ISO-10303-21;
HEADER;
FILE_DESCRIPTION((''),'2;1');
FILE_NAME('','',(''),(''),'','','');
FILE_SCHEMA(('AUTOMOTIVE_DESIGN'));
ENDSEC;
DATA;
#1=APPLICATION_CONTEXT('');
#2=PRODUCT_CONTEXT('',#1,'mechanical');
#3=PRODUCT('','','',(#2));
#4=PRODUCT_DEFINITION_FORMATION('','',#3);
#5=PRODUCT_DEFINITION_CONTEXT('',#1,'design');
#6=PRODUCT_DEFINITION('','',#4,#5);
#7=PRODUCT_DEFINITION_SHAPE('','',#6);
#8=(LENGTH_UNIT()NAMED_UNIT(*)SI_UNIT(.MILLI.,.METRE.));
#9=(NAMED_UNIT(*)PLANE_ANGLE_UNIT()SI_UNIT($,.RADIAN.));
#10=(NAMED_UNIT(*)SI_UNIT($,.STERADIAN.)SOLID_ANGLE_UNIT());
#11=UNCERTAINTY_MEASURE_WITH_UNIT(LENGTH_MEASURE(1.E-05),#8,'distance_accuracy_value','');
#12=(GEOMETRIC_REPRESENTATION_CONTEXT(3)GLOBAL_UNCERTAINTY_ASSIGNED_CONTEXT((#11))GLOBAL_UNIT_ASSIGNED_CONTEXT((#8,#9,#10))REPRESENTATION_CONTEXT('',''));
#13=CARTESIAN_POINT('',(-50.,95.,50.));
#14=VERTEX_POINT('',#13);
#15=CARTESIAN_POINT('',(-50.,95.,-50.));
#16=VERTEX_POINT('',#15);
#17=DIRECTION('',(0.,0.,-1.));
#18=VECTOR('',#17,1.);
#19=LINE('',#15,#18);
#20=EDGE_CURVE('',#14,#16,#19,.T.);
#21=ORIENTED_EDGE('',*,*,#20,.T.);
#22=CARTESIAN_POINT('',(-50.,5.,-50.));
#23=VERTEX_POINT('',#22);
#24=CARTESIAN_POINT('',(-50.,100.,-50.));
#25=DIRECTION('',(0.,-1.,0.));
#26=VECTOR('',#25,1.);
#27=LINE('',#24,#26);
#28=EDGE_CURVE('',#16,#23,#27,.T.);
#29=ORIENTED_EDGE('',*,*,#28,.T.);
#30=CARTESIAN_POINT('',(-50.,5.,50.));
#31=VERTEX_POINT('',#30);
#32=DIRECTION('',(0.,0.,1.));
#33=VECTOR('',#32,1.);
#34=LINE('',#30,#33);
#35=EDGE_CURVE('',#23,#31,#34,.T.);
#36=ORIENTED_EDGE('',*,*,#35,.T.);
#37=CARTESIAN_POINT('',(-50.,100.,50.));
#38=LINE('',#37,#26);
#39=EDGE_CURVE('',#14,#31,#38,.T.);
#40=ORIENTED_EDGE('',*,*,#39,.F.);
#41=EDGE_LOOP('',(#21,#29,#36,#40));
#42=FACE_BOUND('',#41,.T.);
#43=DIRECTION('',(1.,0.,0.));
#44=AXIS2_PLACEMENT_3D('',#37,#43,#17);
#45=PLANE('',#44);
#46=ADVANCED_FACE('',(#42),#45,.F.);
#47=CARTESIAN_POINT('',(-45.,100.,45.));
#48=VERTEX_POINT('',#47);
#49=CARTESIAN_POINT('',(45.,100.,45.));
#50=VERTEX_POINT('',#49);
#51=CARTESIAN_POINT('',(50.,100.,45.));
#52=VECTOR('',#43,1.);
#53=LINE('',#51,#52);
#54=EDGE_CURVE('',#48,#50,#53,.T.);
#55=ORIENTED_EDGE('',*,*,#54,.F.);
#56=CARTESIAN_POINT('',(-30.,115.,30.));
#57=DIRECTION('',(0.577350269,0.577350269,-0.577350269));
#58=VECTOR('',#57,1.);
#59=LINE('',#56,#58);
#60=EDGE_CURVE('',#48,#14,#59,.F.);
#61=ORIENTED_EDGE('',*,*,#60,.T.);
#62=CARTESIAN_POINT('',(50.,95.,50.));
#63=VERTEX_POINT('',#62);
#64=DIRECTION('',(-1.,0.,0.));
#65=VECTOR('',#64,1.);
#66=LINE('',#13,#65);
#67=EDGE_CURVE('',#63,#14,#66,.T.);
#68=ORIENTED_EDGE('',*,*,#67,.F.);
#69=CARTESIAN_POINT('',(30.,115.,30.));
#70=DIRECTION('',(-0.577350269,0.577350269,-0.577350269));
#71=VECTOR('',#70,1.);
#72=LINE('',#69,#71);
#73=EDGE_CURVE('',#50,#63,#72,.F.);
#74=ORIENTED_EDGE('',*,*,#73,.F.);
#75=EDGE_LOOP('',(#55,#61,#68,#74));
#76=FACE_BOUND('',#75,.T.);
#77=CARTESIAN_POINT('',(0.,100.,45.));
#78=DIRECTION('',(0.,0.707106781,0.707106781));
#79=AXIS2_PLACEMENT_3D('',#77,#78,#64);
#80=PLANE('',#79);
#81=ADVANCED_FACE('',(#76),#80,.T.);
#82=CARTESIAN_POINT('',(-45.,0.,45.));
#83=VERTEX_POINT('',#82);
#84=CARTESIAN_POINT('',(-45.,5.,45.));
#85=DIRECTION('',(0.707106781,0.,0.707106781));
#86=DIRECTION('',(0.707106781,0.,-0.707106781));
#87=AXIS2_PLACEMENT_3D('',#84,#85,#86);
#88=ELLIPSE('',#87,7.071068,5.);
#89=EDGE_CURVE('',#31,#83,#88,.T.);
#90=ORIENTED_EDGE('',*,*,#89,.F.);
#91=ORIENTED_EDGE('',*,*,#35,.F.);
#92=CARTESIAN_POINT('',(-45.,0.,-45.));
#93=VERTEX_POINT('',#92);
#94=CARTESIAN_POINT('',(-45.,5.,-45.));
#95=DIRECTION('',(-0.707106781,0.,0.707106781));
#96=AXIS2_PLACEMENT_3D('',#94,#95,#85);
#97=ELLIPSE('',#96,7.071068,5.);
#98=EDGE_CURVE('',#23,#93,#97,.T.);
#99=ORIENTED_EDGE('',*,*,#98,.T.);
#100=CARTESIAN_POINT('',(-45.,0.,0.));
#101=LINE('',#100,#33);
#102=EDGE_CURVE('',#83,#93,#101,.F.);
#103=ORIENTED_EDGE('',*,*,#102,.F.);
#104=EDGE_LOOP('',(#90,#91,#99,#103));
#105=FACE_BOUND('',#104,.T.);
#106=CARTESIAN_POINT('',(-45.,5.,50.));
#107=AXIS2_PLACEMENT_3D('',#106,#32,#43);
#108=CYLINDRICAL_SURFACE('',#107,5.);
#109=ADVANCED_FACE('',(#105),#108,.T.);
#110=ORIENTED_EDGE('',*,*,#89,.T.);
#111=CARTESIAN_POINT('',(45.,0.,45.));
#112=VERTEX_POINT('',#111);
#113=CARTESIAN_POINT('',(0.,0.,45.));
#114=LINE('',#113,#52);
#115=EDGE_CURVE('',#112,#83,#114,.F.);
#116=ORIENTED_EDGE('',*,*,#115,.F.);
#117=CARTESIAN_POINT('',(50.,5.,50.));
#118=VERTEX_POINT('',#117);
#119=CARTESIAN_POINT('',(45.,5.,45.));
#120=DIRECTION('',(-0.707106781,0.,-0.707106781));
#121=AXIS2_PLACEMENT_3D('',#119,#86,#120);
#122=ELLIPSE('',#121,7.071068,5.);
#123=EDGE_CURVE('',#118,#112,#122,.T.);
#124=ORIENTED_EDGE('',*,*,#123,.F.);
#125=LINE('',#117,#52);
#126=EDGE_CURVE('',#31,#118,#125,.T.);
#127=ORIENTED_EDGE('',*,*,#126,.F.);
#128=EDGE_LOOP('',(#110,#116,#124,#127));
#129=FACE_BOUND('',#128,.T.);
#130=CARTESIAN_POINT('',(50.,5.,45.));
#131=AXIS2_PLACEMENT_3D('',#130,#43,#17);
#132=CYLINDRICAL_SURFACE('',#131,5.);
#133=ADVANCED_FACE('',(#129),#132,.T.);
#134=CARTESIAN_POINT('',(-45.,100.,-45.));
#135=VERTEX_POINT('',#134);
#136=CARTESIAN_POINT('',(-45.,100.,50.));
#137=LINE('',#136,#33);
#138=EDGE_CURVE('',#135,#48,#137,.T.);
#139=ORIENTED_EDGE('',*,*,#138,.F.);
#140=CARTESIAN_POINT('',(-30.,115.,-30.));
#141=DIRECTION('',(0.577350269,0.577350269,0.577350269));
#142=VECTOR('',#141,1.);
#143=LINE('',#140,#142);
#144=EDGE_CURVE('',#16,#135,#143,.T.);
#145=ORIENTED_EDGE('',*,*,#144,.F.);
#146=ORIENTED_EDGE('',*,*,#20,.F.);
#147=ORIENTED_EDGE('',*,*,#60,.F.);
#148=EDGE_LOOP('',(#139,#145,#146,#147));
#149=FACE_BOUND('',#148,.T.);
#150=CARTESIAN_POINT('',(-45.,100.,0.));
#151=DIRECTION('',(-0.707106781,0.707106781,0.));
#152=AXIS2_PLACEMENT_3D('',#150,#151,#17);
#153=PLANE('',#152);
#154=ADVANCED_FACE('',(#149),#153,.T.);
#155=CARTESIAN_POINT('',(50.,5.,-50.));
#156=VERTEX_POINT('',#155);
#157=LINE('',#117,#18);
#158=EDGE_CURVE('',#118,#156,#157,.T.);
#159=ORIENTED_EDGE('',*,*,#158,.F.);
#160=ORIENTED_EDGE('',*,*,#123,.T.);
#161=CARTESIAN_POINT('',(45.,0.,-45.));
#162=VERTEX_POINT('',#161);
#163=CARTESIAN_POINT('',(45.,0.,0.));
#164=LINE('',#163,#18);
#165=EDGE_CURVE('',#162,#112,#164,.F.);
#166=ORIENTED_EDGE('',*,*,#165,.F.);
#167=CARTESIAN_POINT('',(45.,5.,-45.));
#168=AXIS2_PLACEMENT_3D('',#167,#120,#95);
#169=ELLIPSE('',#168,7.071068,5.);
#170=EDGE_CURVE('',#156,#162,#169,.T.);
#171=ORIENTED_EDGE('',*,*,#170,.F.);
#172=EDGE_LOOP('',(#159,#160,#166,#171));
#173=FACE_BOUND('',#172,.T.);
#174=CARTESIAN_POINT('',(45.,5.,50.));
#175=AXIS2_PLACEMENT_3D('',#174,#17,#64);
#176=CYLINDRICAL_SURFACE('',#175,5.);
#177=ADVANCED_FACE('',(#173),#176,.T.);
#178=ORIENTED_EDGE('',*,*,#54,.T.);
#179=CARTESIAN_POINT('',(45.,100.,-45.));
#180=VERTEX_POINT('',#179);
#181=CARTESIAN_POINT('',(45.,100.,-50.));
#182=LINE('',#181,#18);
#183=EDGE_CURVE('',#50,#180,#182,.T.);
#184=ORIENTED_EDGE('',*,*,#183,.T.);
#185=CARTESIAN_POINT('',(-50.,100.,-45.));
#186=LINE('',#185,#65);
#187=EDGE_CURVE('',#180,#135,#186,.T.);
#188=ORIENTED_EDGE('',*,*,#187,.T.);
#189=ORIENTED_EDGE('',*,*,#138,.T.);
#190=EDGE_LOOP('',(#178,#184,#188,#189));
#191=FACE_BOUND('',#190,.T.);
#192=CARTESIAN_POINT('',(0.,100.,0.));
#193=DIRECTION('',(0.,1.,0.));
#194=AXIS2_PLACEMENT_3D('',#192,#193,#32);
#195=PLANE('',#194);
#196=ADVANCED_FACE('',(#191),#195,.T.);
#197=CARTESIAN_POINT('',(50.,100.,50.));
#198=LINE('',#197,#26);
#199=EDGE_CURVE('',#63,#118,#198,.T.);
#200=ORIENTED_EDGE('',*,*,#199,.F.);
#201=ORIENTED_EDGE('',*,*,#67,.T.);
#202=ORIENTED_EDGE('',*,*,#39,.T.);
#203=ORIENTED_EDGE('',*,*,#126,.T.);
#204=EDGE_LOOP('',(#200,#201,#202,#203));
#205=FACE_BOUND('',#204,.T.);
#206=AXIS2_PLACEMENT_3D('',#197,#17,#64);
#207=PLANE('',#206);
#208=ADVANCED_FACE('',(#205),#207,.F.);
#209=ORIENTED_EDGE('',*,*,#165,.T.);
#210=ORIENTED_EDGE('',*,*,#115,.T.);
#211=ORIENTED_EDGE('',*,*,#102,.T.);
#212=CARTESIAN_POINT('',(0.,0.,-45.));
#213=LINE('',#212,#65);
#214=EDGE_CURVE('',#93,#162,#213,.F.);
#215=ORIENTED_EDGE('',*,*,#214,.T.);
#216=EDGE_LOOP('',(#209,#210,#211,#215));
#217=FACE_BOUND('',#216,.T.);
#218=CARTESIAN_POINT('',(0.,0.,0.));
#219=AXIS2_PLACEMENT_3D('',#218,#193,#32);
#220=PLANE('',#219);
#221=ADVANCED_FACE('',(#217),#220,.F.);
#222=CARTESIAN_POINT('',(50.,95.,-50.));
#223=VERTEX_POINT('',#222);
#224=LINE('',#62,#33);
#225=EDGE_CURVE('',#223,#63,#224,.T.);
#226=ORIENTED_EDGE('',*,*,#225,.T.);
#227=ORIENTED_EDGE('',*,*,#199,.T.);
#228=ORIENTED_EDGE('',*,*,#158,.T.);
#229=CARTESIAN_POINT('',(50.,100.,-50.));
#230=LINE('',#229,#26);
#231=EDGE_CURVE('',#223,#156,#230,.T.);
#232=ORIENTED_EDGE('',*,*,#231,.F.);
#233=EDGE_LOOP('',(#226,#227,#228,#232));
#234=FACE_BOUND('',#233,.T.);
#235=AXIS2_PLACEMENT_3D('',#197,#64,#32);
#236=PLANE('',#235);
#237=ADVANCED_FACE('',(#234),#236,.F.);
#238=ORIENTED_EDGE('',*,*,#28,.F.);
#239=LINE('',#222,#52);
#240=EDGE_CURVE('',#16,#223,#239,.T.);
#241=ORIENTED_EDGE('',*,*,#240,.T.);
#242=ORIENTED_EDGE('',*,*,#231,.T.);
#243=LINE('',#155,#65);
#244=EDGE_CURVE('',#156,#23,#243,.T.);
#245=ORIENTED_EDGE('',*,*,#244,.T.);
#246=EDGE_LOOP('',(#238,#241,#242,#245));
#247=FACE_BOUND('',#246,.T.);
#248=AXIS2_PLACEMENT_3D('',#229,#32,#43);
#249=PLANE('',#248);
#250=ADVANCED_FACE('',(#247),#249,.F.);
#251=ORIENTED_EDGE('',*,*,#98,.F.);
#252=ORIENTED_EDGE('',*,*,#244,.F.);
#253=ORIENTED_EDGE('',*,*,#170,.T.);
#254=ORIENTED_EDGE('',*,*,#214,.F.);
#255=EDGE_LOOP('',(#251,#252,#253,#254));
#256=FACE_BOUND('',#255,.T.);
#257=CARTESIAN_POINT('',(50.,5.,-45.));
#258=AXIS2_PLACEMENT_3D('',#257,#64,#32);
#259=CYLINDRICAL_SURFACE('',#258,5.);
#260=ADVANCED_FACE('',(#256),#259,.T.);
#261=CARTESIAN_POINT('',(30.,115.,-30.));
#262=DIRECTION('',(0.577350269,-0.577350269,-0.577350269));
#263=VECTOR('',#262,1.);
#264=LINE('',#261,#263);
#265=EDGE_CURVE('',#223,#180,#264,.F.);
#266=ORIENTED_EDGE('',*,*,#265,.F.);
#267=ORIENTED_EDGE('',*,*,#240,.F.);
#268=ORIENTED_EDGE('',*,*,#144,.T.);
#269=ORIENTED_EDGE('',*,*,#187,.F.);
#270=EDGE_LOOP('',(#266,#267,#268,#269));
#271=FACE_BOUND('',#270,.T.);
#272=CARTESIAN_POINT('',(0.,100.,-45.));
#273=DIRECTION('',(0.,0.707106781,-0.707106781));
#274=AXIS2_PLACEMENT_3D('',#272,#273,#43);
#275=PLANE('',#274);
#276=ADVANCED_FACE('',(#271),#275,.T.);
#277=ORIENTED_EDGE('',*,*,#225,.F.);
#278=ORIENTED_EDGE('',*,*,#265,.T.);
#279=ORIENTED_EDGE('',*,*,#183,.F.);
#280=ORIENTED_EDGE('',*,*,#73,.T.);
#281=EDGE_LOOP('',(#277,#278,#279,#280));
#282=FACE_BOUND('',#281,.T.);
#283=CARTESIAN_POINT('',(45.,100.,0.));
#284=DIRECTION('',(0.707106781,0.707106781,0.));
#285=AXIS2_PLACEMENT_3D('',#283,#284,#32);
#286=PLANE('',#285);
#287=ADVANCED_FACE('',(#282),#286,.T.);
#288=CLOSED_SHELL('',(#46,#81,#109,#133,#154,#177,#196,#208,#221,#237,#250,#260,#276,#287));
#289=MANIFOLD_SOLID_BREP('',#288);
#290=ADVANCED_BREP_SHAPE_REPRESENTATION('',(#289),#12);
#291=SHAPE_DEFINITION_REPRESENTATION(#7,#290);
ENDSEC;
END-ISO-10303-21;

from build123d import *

# Parameters (mm, degrees)
SKETCH1_W           = 100
SKETCH1_H           = 100
BOSS_EXTRUDE1_DEPTH = 100
FILLET1_R           = 5
CHAMFER2_SIZE       = 5


with BuildPart() as part:
    # Sketch1 → Boss-Extrude1 (new body)
    with BuildSketch(Plane(origin=(0, 0, 0), x_dir=(1, 0, 0), z_dir=(0, 1, 0))):
        Rectangle(SKETCH1_W, SKETCH1_H)
    extrude(amount=BOSS_EXTRUDE1_DEPTH)

    # Fillet1
    fillet1_edges = [part.edges().sort_by_distance(p)[0] for p in [
        (0, 0, -50),
        (50, 0, 0),
        (0, 0, 50),
        (-50, 0, 0),
    ]]
    fillet(fillet1_edges, radius=FILLET1_R)

    # Chamfer2
    chamfer2_edges = [part.edges().sort_by_distance(p)[0] for p in [
        (50, 100, 0),
        (0, 100, -50),
        (-50, 100, 0),
        (0, 100, 50),
    ]]
    chamfer(chamfer2_edges, length=CHAMFER2_SIZE)


solid = part.part
